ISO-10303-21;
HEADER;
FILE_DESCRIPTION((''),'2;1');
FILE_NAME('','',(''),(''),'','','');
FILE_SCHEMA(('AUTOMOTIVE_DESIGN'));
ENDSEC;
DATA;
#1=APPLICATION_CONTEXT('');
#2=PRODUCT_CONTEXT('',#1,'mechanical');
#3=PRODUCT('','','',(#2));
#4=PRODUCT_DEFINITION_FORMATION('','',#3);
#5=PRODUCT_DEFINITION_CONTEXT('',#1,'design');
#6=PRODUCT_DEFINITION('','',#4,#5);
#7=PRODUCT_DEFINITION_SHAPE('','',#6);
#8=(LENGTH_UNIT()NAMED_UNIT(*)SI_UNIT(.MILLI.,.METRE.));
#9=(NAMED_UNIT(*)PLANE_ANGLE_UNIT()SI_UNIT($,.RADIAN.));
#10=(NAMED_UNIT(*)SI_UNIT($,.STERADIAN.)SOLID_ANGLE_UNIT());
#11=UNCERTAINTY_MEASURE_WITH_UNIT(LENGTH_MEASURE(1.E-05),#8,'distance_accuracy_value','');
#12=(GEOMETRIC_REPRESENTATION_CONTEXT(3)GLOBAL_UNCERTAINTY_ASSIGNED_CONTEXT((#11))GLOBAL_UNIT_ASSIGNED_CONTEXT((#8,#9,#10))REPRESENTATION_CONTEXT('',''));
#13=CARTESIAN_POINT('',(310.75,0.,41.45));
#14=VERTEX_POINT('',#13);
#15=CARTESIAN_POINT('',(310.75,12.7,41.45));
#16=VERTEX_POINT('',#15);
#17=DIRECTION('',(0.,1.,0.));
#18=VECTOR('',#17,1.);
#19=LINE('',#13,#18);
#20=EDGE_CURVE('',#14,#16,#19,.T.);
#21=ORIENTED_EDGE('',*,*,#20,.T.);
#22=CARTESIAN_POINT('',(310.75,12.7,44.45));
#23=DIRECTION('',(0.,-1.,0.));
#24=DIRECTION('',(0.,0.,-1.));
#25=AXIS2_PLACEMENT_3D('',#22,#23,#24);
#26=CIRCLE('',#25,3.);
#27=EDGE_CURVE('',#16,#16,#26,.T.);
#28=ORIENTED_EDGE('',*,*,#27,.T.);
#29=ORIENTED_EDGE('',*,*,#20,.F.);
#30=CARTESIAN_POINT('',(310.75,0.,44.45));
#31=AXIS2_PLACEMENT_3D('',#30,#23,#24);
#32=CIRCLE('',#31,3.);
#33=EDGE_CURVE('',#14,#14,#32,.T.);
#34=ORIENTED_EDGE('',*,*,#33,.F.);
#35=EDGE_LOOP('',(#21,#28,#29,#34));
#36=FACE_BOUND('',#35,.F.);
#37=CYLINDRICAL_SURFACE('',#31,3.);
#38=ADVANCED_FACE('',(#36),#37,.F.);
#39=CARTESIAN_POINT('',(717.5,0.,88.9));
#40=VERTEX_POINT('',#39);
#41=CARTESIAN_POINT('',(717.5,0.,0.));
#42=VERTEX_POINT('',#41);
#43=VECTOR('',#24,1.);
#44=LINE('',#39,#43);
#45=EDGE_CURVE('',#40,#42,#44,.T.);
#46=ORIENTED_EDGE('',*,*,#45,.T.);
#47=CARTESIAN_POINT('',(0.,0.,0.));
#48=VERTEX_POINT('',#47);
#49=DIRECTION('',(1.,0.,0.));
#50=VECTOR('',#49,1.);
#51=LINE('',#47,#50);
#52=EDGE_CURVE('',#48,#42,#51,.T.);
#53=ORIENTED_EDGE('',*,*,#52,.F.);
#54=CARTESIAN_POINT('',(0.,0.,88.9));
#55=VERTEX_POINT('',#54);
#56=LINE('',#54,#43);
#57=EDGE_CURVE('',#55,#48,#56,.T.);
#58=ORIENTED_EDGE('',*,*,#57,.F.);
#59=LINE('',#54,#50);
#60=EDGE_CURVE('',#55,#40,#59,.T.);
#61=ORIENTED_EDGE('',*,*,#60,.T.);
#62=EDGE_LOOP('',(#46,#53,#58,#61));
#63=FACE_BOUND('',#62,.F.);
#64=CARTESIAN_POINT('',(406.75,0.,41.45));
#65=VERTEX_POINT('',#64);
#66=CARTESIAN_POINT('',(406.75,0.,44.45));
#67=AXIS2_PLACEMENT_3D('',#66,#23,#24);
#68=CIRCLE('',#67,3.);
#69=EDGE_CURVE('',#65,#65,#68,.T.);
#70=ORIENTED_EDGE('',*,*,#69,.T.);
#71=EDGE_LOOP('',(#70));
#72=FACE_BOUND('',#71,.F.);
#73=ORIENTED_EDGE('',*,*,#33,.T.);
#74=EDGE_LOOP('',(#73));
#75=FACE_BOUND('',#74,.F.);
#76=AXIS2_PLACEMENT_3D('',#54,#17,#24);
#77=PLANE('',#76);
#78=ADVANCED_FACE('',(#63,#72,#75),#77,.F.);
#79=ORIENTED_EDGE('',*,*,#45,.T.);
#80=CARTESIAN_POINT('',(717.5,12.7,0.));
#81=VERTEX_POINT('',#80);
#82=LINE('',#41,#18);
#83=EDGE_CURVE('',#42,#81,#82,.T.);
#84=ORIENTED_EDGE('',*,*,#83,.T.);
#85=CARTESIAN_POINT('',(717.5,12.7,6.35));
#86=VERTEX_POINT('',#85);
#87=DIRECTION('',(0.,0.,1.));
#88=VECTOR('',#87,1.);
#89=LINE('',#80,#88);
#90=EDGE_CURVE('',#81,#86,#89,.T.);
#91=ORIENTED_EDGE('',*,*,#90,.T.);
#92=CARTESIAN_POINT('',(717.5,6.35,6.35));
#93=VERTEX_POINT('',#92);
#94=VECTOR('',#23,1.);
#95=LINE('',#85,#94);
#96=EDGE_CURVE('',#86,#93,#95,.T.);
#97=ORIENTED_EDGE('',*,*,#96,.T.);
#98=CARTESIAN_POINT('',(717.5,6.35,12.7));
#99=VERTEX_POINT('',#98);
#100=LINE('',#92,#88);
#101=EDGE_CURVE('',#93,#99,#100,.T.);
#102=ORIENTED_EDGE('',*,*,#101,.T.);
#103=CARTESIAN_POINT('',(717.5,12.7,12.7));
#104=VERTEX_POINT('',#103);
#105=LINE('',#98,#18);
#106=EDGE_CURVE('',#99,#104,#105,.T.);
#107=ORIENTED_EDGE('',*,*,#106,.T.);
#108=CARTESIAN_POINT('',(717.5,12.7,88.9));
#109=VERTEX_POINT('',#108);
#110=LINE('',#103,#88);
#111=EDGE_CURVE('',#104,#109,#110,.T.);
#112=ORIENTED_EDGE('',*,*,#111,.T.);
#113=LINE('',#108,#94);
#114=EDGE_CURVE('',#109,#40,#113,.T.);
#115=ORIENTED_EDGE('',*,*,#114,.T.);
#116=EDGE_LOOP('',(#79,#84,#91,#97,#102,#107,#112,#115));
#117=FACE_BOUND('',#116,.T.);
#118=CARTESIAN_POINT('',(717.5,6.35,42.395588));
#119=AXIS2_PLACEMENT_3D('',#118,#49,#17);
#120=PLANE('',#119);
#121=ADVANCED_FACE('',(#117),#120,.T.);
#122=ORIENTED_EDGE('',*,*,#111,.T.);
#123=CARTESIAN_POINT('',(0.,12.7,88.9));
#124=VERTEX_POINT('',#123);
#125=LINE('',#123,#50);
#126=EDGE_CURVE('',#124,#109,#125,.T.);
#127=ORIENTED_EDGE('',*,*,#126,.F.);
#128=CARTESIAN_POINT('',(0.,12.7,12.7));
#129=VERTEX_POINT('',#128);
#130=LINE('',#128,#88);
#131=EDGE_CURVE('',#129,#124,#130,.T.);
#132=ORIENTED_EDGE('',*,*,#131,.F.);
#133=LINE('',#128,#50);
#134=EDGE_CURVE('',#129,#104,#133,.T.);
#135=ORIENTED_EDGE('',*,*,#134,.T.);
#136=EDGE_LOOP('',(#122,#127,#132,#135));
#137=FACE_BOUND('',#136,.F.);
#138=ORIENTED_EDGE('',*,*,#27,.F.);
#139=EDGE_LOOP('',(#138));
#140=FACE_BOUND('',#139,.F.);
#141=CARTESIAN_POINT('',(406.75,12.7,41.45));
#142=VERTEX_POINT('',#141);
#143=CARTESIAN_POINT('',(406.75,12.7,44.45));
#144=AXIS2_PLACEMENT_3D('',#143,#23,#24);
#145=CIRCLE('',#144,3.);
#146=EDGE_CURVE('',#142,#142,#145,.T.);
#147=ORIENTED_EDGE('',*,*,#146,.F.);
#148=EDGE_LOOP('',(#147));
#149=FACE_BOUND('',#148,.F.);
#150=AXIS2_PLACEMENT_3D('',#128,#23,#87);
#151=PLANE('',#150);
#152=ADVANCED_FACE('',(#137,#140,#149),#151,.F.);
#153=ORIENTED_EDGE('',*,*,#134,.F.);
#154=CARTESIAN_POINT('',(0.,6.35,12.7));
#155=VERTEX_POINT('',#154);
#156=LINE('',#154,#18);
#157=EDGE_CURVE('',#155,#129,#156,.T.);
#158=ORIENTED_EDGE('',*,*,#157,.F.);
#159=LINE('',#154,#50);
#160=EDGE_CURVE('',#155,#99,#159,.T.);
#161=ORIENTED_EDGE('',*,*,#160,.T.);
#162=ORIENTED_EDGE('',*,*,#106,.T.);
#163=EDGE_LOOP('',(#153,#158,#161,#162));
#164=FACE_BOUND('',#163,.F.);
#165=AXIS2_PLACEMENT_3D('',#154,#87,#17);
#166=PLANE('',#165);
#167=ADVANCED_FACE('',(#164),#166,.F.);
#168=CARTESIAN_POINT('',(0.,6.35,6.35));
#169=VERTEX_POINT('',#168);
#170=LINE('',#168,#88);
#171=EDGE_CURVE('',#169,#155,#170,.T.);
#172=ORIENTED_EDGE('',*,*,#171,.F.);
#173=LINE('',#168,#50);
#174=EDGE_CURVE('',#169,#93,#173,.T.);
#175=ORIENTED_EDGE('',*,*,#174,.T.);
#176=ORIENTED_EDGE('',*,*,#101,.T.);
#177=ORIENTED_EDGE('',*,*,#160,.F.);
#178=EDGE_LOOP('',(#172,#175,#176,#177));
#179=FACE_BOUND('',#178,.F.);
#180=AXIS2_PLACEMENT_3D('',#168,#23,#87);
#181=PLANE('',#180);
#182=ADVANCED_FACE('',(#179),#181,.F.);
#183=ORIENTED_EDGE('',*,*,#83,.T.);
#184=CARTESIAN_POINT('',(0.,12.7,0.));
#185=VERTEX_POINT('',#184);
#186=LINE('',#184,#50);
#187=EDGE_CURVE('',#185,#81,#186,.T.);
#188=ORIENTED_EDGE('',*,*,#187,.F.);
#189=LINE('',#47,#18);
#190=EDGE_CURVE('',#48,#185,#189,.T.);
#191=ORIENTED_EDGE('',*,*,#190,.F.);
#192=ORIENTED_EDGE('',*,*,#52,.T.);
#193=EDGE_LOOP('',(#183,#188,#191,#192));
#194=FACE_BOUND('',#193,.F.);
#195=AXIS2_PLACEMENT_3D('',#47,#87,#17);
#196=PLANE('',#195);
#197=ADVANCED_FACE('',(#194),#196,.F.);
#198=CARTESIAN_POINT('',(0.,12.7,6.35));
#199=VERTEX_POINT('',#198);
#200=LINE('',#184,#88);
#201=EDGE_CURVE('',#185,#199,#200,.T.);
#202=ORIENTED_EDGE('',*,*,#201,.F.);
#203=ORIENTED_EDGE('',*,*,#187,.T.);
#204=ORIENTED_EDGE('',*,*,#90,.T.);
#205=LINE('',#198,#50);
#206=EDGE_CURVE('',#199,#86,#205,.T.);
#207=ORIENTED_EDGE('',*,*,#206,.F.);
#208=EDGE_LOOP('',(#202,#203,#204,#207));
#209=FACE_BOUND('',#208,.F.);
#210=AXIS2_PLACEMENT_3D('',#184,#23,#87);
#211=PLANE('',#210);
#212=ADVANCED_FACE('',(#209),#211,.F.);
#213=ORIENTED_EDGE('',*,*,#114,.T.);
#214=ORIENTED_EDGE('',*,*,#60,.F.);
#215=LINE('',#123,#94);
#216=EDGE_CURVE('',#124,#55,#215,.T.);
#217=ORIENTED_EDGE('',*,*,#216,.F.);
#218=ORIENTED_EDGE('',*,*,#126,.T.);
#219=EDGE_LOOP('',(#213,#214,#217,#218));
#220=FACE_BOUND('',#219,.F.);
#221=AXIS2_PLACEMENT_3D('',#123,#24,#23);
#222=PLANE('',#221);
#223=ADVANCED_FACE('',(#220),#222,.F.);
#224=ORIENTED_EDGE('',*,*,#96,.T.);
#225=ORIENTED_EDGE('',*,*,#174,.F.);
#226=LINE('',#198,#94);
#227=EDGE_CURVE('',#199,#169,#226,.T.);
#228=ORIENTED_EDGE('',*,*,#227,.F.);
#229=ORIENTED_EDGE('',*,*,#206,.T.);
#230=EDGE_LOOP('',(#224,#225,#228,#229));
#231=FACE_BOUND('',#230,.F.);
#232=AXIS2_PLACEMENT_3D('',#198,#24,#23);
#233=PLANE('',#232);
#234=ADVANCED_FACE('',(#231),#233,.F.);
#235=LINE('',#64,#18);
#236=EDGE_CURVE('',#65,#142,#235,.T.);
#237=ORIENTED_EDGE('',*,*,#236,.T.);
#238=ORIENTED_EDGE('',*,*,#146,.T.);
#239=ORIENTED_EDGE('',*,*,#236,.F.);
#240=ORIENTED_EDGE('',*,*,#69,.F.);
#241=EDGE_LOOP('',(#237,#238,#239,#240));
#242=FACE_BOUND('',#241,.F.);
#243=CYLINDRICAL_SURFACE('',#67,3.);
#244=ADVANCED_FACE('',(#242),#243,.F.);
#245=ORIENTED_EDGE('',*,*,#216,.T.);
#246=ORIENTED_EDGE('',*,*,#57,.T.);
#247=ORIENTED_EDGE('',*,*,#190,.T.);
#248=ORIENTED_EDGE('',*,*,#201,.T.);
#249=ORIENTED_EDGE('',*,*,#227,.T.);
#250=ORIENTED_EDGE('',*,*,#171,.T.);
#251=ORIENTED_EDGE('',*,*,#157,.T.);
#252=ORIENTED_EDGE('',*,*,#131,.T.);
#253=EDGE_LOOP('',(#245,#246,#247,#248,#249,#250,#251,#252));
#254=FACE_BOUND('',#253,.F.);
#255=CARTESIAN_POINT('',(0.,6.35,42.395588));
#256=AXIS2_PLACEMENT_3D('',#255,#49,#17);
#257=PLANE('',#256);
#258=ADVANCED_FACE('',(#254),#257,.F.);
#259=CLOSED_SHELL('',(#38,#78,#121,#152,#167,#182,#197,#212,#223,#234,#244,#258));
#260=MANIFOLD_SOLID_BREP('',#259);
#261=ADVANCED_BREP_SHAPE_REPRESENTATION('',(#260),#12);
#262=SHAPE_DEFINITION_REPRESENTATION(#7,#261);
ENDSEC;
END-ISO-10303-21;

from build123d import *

# Parameters (mm, degrees)
PAD_DEPTH   = 717.5
SKETCH003_R = 3
HOLE_DEPTH  = 12.701


with BuildPart() as part:
    # Sketch → Pad (new body)
    with BuildSketch(Plane.YZ):
        Polygon((0, 0), (12.7, 0), (12.7, 6.35), (6.35, 6.35), (6.35, 12.7), (12.7, 12.7), (12.7, 88.9), (0, 88.9), align=None)
    extrude(amount=PAD_DEPTH)

    # Sketch003 → Hole (cut, through all)
    with BuildSketch(Plane(origin=(0, 0, 0), x_dir=(0, 0, -1), z_dir=(0, -1, 0))):
        with Locations((-44.45, 310.75)):
            Circle(SKETCH003_R)
        with Locations((-44.45, 406.75)):
            Circle(SKETCH003_R)
    extrude(amount=-HOLE_DEPTH, mode=Mode.SUBTRACT)


solid = part.part
